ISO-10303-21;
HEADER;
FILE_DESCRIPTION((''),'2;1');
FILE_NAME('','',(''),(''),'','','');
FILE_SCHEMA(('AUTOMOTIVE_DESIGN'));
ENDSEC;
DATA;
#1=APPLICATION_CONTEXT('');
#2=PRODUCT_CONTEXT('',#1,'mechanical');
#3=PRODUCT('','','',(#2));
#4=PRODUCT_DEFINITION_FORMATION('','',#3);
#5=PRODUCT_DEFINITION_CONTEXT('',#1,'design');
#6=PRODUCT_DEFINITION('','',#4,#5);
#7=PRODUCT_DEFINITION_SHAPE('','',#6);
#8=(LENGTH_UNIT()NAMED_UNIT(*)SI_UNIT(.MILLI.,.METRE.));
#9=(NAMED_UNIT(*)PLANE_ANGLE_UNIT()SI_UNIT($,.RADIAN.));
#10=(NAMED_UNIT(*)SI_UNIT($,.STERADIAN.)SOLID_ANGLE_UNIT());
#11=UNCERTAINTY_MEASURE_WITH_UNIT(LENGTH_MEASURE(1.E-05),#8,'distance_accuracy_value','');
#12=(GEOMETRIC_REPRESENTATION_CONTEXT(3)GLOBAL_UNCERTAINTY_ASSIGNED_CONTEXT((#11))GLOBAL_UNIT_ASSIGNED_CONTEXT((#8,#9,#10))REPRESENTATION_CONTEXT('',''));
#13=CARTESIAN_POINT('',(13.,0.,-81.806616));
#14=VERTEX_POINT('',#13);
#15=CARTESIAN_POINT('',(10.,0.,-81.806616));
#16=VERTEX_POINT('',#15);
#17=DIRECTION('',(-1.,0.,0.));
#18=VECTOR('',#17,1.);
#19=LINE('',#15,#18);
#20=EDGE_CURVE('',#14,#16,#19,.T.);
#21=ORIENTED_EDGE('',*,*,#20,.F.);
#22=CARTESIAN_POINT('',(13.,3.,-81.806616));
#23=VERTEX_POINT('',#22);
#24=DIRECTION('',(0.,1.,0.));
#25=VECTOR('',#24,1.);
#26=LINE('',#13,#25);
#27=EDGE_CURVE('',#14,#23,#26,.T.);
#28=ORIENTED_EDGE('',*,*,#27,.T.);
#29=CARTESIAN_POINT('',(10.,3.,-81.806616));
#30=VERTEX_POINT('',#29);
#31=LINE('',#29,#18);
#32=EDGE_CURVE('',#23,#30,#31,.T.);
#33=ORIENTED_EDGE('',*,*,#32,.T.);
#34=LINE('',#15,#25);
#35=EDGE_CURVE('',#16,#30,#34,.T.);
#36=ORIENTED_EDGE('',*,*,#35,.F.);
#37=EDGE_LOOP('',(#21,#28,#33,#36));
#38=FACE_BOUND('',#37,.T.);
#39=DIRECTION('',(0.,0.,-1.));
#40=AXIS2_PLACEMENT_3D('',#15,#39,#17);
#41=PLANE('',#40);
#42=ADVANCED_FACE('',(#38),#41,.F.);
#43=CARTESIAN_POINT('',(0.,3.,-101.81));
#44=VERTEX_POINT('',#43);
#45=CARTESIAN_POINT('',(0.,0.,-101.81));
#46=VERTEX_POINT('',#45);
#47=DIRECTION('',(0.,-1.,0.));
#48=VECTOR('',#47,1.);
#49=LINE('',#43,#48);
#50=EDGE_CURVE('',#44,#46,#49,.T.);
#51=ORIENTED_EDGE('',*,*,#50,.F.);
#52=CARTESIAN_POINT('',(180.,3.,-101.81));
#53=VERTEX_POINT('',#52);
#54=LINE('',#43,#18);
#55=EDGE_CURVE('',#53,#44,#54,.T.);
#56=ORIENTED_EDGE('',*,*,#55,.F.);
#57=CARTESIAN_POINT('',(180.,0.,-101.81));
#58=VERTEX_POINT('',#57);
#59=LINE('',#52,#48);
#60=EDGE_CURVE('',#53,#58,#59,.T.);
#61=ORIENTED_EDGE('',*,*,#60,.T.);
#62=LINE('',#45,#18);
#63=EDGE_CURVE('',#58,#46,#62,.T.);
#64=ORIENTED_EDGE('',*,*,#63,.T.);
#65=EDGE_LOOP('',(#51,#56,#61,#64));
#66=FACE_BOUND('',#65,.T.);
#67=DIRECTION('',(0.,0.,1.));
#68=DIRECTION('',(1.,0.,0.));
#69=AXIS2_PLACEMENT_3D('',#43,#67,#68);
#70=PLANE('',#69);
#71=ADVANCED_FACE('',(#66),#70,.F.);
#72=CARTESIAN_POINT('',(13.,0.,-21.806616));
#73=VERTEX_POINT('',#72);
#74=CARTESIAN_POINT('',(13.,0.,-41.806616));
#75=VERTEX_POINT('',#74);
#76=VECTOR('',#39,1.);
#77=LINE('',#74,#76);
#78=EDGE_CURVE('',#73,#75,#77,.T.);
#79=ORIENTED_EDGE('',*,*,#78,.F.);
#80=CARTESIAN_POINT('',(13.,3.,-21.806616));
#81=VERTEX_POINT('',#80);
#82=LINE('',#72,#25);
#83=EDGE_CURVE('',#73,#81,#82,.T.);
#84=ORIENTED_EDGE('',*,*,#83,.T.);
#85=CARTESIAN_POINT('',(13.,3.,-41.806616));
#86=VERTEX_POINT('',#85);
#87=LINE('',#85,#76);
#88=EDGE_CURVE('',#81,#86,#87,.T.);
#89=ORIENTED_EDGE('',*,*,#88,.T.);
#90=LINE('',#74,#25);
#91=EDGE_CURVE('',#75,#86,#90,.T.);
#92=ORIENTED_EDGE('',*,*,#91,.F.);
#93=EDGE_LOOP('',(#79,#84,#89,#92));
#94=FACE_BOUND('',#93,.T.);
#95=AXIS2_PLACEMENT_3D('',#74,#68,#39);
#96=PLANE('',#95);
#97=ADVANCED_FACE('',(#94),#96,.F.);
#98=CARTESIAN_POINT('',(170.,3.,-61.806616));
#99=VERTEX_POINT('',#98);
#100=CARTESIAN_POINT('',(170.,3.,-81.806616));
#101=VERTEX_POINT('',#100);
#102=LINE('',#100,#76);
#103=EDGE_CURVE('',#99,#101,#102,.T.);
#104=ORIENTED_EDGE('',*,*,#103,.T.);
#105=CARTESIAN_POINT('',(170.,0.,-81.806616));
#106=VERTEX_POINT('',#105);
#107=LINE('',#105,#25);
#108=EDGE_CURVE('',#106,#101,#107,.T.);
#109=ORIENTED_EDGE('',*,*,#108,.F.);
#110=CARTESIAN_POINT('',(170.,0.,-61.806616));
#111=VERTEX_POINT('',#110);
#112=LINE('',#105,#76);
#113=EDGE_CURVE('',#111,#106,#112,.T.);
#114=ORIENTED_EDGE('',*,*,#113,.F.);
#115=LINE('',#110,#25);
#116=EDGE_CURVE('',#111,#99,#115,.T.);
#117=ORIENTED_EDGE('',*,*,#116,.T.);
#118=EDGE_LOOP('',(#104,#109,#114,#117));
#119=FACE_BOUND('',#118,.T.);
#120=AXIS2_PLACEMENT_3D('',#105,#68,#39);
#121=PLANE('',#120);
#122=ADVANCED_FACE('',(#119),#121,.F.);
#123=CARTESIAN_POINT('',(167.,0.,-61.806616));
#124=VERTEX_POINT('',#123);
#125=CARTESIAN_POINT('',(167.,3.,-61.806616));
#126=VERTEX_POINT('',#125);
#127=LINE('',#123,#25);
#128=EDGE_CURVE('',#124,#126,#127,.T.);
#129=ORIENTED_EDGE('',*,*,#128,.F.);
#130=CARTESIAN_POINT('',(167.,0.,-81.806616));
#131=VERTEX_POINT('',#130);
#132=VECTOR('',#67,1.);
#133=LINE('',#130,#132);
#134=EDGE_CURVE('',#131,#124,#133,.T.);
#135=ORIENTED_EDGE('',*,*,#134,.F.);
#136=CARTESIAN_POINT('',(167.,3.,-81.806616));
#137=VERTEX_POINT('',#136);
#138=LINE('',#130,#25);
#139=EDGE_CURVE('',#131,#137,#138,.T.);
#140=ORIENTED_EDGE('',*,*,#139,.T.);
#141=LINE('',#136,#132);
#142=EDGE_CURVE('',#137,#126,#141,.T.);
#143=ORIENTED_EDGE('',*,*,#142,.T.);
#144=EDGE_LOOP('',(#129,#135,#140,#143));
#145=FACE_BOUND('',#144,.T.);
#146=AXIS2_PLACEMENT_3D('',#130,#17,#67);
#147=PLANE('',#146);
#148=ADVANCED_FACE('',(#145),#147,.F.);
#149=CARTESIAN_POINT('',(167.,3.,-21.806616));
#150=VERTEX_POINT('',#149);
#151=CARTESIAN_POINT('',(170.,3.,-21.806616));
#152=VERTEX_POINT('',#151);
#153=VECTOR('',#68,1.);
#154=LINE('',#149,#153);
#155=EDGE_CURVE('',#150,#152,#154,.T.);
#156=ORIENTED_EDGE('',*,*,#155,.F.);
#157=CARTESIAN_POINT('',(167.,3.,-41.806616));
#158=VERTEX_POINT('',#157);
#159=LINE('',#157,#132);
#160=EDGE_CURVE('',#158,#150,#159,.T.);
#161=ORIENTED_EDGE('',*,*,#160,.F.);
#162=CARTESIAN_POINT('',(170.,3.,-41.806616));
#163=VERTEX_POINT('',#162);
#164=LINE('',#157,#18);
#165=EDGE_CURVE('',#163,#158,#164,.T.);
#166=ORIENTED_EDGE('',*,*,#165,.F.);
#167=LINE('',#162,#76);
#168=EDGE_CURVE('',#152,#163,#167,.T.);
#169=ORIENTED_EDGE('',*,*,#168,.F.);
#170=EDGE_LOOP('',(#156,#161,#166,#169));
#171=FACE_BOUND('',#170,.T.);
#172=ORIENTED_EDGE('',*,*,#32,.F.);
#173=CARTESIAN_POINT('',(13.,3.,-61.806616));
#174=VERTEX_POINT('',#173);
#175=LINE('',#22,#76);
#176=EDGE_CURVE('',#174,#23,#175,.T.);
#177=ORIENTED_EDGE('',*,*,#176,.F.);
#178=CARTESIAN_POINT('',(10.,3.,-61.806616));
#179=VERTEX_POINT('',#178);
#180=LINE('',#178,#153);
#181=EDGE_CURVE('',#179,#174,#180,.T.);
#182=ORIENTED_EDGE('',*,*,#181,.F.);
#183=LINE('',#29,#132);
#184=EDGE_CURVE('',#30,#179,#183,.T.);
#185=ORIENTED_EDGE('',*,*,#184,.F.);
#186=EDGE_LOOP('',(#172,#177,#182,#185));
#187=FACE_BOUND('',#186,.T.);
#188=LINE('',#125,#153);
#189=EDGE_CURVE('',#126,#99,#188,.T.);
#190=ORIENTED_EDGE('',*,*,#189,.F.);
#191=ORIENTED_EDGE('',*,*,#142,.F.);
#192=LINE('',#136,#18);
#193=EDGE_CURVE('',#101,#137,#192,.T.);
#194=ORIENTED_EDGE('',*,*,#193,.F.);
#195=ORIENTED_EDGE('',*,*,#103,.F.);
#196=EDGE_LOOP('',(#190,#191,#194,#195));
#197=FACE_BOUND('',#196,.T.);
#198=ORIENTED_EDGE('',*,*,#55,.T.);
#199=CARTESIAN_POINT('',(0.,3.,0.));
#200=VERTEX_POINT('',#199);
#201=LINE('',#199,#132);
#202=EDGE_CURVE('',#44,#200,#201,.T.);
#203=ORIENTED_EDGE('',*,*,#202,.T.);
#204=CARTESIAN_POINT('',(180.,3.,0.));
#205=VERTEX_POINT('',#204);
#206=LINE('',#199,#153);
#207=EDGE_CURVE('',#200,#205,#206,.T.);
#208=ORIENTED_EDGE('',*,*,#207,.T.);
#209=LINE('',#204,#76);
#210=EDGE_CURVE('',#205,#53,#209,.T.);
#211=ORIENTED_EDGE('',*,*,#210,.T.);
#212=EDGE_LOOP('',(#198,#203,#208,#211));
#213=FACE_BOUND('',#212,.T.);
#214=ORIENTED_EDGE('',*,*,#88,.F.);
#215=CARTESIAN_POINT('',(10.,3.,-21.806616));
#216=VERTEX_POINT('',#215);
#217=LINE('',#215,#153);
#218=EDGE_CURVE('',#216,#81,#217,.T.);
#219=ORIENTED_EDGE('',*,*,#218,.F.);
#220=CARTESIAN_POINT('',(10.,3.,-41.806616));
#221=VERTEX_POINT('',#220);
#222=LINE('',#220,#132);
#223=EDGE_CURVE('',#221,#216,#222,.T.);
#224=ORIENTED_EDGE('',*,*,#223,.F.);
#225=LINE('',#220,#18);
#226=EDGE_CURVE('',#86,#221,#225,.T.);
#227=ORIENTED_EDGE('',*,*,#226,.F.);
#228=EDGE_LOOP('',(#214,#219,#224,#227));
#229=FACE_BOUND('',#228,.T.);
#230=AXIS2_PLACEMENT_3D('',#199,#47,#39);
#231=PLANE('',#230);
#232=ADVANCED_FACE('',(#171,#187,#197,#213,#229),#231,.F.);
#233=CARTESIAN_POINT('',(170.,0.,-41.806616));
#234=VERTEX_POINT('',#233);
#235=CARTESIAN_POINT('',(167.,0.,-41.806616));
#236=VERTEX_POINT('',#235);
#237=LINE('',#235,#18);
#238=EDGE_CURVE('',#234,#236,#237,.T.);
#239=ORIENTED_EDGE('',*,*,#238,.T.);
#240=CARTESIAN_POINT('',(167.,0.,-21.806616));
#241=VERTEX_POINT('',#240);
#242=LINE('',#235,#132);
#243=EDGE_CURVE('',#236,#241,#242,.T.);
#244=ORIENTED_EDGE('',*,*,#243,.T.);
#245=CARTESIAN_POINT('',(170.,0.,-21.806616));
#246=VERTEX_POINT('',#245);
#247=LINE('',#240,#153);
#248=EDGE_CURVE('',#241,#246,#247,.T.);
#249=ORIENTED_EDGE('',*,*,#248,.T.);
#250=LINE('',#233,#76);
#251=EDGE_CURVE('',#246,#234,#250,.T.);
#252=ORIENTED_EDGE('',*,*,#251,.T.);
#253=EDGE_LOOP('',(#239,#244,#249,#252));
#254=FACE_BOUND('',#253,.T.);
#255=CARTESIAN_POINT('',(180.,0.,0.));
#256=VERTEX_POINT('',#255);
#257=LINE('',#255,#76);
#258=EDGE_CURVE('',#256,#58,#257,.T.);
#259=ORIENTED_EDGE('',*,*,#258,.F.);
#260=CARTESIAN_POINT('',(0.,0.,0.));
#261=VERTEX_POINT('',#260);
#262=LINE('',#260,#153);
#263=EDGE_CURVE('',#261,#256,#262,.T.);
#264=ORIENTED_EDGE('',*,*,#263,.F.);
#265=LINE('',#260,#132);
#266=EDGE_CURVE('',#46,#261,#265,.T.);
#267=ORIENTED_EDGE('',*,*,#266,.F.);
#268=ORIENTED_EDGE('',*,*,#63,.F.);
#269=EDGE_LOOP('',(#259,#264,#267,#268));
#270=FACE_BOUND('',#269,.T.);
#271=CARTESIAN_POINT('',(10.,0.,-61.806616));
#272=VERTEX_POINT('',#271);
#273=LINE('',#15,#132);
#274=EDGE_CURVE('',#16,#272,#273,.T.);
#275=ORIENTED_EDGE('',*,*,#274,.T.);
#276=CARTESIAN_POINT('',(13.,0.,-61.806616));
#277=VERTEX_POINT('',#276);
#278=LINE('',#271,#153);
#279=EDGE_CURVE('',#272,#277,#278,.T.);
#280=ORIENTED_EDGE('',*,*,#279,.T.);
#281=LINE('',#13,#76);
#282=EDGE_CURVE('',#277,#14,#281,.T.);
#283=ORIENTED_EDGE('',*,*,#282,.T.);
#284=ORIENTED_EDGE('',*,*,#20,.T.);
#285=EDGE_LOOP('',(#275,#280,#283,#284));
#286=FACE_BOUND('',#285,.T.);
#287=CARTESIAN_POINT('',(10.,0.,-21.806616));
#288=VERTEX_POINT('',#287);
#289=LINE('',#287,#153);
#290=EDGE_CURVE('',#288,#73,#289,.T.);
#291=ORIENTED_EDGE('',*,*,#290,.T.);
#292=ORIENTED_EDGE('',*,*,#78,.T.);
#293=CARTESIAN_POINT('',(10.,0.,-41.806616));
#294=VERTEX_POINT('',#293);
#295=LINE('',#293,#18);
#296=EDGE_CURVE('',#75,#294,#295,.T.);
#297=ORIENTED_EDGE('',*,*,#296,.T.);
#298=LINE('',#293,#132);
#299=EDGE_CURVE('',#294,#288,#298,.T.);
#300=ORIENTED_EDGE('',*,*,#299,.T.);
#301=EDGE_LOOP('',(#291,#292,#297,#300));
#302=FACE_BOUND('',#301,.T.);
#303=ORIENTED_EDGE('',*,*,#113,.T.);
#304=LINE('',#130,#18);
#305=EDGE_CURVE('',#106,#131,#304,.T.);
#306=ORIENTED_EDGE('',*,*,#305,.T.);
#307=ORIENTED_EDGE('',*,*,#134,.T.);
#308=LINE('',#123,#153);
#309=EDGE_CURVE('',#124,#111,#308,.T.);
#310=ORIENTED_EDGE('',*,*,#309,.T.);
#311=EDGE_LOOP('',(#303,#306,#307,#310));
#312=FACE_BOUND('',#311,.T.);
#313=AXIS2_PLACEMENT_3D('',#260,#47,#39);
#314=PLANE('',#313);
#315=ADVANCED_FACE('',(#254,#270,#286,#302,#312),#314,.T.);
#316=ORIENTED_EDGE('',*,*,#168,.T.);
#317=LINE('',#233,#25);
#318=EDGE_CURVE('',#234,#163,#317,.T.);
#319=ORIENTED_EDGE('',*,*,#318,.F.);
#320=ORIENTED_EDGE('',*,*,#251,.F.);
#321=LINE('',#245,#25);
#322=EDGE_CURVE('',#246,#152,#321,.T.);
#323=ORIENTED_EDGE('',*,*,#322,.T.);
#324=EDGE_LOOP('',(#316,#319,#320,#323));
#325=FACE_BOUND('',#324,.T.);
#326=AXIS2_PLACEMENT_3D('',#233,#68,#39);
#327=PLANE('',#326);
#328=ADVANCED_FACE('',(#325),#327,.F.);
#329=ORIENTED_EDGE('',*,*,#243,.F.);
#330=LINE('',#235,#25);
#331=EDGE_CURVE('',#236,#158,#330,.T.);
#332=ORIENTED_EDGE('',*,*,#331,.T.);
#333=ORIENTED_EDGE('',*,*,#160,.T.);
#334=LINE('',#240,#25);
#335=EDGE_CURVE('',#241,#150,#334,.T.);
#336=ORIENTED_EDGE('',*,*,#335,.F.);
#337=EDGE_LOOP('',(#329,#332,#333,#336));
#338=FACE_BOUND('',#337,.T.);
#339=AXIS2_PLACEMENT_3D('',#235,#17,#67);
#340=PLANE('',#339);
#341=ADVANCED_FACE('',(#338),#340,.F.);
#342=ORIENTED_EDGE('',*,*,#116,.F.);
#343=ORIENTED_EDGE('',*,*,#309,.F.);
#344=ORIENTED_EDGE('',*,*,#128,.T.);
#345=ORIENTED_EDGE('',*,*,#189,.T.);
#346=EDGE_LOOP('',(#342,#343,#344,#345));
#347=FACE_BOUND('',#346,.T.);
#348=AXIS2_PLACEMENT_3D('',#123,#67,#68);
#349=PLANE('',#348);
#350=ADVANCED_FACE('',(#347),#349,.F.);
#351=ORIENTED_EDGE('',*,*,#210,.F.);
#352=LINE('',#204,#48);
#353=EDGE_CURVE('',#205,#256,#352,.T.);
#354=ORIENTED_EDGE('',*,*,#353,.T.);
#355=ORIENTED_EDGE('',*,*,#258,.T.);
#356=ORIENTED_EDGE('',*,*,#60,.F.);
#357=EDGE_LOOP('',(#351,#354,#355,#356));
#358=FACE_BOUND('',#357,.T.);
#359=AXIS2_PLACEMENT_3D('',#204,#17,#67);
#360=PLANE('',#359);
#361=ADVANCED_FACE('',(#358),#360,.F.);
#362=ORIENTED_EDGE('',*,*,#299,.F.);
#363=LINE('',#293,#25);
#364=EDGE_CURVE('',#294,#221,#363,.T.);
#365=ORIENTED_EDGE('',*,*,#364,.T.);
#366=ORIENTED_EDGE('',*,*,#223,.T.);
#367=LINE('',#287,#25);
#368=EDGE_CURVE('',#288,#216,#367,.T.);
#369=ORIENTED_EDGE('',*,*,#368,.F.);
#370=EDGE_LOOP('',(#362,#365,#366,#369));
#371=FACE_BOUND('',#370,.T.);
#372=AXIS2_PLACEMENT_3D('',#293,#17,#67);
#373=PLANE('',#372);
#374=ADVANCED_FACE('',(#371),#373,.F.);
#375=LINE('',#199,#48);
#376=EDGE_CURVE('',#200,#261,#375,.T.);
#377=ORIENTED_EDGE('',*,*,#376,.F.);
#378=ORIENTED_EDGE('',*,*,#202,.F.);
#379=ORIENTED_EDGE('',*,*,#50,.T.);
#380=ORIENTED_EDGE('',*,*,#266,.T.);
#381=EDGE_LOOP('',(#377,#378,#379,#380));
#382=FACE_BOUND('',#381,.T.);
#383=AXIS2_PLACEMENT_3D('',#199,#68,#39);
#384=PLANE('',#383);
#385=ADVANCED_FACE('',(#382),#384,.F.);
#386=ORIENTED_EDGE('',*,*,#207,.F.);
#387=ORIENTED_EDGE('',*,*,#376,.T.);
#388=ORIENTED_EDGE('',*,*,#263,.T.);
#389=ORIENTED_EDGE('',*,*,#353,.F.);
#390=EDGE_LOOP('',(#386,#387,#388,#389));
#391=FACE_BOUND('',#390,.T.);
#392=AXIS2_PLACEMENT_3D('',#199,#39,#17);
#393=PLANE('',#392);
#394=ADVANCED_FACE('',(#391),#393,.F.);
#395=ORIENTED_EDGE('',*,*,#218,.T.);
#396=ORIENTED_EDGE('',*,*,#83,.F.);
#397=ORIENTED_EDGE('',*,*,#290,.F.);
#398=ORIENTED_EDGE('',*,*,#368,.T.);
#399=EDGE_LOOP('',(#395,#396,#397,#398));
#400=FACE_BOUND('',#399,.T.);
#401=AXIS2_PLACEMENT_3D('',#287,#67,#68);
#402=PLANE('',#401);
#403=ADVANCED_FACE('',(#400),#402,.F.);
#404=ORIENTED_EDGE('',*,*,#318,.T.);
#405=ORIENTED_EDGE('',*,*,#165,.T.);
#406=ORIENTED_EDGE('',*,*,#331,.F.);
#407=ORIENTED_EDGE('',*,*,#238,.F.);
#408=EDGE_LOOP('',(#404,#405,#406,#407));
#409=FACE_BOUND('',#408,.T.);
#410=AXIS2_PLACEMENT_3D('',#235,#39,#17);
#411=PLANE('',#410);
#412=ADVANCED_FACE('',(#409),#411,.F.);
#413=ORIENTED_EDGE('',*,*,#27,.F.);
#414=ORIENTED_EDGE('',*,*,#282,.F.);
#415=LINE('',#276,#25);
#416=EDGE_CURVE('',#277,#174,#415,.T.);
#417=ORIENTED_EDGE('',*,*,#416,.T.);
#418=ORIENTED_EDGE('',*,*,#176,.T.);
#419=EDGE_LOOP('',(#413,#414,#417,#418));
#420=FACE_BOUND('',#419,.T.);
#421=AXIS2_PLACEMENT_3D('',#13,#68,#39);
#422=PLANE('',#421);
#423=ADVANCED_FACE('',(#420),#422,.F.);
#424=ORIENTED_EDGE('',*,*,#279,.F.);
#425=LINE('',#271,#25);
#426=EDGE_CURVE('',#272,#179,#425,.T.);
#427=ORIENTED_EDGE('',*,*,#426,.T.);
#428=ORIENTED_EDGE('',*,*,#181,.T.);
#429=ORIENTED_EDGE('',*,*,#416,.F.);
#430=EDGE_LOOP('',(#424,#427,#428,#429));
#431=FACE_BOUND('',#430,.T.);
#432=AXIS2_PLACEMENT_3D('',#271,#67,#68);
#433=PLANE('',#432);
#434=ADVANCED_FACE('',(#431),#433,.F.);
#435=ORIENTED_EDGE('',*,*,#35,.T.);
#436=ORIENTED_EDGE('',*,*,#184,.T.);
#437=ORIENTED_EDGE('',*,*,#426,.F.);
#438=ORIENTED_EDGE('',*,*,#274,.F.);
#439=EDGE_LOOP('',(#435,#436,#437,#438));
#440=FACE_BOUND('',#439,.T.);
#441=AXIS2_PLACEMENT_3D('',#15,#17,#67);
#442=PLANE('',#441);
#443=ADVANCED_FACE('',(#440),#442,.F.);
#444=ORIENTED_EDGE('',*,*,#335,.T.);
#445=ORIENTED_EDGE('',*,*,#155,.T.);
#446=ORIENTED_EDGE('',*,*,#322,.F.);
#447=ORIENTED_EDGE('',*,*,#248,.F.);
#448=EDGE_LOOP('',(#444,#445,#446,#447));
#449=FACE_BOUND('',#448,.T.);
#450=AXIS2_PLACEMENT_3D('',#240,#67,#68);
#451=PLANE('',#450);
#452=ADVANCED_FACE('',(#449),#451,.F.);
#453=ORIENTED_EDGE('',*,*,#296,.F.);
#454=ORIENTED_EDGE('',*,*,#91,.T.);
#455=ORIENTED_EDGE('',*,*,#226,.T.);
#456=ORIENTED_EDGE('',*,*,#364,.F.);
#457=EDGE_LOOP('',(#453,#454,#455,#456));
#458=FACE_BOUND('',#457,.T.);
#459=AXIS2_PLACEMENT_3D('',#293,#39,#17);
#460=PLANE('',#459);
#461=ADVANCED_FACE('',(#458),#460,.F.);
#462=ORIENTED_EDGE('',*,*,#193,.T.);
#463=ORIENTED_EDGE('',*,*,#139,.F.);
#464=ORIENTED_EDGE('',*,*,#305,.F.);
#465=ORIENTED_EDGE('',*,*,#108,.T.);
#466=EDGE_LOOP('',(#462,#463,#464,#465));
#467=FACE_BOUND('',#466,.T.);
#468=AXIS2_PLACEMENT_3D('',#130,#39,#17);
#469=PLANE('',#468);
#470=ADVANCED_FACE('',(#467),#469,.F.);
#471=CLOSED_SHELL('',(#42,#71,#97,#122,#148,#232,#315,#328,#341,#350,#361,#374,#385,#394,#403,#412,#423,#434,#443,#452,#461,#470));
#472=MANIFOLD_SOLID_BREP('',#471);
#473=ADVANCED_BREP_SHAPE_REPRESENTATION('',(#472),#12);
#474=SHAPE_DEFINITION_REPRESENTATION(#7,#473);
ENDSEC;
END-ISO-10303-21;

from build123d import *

# Parameters (mm, degrees)
SKETCH1_W           = 180
SKETCH1_H           = 101.81
BOSS_EXTRUDE1_DEPTH = 3
SKETCH2_W           = 3
SKETCH2_H           = 20
CUT_EXTRUDE1_DEPTH  = 3


with BuildPart() as part:
    # Sketch1 → Boss-Extrude1 (new body)
    with BuildSketch(Plane(origin=(0, 0, 0), x_dir=(1, 0, 0), z_dir=(0, 1, 0))):
        with Locations((90, 50.905)):
            Rectangle(SKETCH1_W, SKETCH1_H)
    extrude(amount=BOSS_EXTRUDE1_DEPTH)

    # Sketch2 → Cut-Extrude1 (cut)
    with BuildSketch(Plane(origin=(0, 3, 0), x_dir=(1, 0, 0), z_dir=(0, 1, 0))):
        with Locations((11.5, 71.80661572)):
            Rectangle(SKETCH2_W, SKETCH2_H)
        with Locations((11.5, 31.80661572)):
            Rectangle(SKETCH2_W, SKETCH2_H)
        with Locations((168.5, 71.80661572)):
            Rectangle(SKETCH2_W, SKETCH2_H)
        with Locations((168.5, 31.80661572)):
            Rectangle(SKETCH2_W, SKETCH2_H)
    extrude(amount=-CUT_EXTRUDE1_DEPTH, mode=Mode.SUBTRACT)


solid = part.part
